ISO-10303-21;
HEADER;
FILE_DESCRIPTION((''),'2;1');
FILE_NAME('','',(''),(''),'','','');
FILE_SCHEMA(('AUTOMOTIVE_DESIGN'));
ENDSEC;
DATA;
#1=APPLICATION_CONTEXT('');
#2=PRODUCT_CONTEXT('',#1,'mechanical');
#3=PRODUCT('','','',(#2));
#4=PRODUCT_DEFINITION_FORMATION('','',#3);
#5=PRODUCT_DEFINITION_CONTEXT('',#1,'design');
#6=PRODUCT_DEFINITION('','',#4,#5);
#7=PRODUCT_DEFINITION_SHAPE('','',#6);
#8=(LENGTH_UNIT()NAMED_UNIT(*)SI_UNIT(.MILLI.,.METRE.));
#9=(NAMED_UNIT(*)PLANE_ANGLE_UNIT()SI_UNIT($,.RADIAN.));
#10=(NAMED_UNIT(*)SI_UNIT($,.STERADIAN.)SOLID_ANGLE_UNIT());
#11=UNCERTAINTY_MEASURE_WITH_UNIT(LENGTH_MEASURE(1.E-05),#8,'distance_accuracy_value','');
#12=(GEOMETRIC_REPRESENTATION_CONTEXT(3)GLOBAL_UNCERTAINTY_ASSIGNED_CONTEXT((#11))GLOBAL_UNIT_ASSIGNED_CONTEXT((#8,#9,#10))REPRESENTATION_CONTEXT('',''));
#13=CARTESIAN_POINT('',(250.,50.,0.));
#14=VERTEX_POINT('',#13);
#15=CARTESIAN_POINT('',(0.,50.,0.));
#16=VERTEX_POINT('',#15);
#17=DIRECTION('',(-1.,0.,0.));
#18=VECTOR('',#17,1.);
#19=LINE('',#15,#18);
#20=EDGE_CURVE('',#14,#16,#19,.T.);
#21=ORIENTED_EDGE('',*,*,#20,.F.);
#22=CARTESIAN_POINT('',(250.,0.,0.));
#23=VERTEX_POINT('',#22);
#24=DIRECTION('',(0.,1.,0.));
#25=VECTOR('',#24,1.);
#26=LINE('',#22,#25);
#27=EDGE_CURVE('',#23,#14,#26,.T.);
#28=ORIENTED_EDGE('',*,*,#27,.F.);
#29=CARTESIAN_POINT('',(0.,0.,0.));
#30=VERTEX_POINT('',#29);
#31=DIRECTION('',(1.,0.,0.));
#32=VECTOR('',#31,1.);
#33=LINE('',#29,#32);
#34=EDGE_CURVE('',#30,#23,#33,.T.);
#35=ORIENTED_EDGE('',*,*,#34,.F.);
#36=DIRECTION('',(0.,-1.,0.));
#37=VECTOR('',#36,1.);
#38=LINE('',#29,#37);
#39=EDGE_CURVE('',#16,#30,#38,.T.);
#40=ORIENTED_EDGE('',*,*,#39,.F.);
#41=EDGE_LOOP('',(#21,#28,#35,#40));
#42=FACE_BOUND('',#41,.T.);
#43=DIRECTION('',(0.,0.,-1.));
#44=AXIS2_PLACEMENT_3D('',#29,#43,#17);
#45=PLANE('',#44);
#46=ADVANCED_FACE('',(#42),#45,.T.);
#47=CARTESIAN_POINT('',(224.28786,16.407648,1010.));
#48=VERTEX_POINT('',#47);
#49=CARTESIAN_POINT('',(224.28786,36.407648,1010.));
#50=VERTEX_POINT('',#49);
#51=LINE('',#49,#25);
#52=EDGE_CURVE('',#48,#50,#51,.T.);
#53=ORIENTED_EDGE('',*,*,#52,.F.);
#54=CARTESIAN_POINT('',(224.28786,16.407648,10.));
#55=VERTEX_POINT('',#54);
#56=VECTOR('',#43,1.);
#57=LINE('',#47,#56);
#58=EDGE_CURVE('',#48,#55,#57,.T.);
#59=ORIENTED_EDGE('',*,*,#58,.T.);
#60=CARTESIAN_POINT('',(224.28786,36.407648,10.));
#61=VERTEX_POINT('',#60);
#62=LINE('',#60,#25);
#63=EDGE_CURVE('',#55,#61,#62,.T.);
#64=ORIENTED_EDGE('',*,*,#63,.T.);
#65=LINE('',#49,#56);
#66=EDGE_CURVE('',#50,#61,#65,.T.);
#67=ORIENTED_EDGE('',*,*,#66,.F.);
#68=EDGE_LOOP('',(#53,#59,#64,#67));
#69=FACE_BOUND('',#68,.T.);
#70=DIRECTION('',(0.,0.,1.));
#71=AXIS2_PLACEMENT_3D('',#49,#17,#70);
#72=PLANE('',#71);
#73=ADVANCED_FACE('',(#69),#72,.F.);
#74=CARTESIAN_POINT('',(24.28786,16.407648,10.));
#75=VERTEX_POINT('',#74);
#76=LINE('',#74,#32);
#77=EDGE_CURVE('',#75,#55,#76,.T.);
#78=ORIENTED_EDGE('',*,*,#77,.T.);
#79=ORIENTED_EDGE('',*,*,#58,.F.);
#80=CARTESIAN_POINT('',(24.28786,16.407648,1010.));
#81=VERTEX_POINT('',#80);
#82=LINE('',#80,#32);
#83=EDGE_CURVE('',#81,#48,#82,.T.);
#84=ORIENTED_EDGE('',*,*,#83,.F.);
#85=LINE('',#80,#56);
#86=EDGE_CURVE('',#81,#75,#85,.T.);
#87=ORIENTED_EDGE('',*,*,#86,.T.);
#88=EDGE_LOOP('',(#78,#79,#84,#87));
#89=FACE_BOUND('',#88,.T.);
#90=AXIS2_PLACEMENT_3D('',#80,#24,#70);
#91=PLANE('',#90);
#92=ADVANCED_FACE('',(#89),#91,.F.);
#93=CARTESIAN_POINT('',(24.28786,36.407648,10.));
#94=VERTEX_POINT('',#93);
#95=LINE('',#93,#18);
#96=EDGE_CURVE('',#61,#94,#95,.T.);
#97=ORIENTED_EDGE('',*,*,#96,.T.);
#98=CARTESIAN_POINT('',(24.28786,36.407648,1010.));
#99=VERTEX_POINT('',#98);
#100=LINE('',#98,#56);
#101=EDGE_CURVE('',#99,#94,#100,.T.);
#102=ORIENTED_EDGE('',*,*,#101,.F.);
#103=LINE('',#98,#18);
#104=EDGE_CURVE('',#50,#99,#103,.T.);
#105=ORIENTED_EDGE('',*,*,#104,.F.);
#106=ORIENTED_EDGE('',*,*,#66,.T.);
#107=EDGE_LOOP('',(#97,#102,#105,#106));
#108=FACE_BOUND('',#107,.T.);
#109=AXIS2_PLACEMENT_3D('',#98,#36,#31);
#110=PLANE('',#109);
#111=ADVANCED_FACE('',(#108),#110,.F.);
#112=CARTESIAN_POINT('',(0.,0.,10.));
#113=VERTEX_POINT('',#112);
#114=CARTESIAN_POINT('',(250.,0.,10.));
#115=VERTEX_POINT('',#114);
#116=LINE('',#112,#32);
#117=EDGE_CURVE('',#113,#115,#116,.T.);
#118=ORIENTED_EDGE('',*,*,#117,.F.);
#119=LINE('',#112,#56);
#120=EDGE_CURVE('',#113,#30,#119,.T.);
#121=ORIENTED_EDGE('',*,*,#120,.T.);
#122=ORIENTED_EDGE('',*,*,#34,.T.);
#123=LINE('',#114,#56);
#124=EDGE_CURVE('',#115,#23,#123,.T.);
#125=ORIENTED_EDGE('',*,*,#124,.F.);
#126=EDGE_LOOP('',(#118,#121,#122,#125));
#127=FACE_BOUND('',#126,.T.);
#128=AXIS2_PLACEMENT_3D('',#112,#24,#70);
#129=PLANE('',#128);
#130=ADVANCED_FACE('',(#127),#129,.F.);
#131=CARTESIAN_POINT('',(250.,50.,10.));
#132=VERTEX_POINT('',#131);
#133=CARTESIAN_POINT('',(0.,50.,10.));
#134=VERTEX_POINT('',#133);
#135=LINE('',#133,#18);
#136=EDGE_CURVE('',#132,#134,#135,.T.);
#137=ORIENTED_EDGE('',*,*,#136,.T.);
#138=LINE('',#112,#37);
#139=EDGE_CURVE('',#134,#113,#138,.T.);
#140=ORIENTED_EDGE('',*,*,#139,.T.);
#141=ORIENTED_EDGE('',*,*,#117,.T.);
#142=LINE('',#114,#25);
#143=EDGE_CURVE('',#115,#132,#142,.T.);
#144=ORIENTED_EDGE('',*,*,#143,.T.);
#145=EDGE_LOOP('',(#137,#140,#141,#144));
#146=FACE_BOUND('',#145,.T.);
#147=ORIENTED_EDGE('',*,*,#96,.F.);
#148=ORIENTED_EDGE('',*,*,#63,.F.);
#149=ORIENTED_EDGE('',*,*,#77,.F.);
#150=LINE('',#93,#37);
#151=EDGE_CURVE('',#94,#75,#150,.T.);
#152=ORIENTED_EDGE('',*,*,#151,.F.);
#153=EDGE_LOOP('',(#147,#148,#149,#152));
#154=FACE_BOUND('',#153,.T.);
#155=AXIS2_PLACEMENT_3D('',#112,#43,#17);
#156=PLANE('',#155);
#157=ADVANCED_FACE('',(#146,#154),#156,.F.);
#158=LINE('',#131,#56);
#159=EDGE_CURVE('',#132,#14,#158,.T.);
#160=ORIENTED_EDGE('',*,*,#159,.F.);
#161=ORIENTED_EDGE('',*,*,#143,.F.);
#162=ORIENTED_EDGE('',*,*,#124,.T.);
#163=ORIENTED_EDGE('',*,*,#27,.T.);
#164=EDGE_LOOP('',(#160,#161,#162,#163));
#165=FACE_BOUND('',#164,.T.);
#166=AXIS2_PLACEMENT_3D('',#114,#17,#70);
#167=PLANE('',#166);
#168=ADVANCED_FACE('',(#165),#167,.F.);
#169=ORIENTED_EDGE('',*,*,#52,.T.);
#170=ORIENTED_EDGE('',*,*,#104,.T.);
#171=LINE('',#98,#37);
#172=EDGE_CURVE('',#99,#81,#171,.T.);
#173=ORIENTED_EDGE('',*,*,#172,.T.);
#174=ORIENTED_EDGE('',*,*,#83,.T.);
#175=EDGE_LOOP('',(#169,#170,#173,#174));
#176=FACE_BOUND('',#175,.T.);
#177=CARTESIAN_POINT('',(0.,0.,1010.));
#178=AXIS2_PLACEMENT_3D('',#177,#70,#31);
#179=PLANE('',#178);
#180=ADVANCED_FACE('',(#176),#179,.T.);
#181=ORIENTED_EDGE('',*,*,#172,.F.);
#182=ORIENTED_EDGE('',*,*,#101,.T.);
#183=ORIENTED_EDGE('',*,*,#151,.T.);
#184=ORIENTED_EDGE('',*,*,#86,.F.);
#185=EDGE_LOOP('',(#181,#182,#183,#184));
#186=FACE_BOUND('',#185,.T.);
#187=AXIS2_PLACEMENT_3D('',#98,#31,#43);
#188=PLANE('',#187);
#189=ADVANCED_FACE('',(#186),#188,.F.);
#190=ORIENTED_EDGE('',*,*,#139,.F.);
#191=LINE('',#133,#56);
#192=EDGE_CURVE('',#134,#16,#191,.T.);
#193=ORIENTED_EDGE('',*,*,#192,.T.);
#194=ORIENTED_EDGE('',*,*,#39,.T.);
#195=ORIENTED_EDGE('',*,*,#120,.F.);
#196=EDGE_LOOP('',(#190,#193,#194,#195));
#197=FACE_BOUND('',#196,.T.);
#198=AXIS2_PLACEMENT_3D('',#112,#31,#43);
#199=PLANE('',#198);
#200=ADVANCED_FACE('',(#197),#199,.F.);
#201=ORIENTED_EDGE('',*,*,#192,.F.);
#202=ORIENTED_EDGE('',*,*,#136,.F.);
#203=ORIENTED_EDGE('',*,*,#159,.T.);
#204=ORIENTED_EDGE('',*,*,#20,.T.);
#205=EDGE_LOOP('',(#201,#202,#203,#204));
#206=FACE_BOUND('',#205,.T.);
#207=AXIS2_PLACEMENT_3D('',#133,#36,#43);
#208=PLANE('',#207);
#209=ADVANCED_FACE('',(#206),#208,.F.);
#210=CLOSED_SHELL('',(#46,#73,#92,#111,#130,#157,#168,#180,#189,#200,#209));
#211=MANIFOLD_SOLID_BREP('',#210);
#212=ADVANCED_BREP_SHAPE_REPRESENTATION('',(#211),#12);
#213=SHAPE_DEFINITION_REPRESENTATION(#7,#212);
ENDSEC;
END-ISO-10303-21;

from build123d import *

# Parameters (mm, degrees)
ESBO_O2_W                = 250
ESBO_O2_H                = 50
RESSALTO_EXTRUS_O1_DEPTH = 10
ESBO_O4_W                = 200
ESBO_O4_H                = 20
RESSALTO_EXTRUS_O2_DEPTH = 1000


with BuildPart() as part:
    # Esboço2 → Ressalto-extrusão1 (new body)
    with BuildSketch(Plane.XY):
        with Locations((125, 25)):
            Rectangle(ESBO_O2_W, ESBO_O2_H)
    extrude(amount=RESSALTO_EXTRUS_O1_DEPTH)

    # Esboço4 → Ressalto-extrusão2 (add)
    with BuildSketch(Plane.XY.offset(10)):
        with Locations((124.287859988, 26.407647707)):
            Rectangle(ESBO_O4_W, ESBO_O4_H)
    extrude(amount=RESSALTO_EXTRUS_O2_DEPTH)


solid = part.part
